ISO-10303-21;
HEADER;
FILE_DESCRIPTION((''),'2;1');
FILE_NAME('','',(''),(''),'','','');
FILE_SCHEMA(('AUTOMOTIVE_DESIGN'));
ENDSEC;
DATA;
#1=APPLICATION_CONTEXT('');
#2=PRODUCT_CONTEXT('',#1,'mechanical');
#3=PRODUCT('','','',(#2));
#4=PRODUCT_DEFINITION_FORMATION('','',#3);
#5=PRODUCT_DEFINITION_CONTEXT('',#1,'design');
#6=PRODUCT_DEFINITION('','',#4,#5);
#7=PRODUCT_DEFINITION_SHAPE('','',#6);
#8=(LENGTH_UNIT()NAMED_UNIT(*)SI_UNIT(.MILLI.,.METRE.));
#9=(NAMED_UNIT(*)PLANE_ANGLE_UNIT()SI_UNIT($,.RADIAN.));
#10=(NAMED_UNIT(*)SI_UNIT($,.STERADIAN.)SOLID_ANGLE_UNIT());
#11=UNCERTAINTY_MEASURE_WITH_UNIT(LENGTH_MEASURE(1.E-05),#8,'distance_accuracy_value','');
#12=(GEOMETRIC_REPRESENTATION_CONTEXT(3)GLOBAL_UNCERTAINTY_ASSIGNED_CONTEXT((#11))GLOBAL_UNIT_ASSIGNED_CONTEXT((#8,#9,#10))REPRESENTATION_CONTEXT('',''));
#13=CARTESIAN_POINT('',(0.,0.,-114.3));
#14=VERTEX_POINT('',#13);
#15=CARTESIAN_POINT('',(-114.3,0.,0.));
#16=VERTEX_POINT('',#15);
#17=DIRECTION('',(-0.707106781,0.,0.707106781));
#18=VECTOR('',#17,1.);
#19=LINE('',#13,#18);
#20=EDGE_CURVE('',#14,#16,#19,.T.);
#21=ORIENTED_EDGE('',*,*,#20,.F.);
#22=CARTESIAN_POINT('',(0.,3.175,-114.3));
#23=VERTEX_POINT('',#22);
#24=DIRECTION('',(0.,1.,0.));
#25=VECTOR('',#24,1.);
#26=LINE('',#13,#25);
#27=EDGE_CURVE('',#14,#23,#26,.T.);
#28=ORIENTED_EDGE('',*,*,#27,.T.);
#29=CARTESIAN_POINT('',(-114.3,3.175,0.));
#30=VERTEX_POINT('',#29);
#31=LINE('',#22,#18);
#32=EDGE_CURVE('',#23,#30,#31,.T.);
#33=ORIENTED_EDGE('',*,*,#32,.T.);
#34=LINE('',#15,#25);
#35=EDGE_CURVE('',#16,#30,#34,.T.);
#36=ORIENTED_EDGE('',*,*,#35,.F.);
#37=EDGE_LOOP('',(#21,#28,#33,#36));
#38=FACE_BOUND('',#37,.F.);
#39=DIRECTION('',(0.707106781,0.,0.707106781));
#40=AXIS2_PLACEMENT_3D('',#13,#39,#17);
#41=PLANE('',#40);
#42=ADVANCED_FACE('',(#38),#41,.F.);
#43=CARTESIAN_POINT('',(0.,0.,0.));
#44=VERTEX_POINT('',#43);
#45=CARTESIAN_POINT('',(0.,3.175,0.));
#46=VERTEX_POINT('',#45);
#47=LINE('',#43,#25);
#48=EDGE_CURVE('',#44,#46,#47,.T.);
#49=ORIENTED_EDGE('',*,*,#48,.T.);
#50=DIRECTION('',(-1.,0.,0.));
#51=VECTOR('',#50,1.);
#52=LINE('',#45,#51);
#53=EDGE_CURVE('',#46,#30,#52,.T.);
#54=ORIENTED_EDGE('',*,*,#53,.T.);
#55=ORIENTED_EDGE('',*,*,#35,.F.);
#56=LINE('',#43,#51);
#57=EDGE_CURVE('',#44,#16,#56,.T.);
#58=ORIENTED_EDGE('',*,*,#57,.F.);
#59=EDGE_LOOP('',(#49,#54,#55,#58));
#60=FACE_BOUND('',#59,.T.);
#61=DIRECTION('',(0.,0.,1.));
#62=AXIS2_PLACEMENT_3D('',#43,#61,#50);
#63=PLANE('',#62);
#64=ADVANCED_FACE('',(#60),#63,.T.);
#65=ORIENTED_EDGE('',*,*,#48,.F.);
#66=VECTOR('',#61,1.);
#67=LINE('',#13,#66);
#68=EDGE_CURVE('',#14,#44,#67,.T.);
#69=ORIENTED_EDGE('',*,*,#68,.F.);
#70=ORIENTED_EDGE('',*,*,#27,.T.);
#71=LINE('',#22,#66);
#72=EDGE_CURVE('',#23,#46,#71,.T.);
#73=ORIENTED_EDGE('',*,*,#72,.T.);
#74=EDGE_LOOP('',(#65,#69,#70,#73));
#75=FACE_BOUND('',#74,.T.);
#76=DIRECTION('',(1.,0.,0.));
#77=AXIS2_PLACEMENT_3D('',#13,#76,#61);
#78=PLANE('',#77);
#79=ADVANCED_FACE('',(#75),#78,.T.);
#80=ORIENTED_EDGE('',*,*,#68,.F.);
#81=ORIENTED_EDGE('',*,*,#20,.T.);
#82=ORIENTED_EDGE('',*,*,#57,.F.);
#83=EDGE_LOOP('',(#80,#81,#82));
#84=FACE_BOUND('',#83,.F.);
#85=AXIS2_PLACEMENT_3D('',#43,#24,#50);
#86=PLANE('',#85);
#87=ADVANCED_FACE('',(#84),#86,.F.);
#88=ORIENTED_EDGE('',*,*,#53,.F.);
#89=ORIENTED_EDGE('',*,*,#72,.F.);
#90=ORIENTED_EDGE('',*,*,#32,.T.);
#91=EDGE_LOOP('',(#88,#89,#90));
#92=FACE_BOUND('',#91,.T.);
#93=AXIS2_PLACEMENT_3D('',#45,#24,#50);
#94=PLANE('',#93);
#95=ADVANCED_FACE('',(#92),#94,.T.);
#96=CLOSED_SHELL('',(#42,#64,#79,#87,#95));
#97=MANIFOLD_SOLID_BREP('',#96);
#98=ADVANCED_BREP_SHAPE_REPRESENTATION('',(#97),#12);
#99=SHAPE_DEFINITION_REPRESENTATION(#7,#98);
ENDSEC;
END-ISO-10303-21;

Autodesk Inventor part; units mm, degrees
ref_plane "YZ Plane" through (0, 0, 0) normal (1, 0, 0) x (0, 1, 0)
ref_plane "XZ Plane" through (0, 0, 0) normal (0, 1, 0) x (-1, 0, 0)
ref_plane "XY Plane" through (0, 0, 0) normal (0, 0, 1) x (1, 0, 0)
sketch "Sketch1" plane through (0, 0, 0) normal (0, 1, 0) x (-1, 0, 0)
  line L0 (0, 0) -> (114.3, 0)
  line L1 (0, -114.3) -> (0, 0)
  line L2 (0, -114.3) -> (114.3, 0)
extrude "Extrusion1" add sketch "Sketch1" along normal blind 3.175
properties part number "4.5incheTriangle"
